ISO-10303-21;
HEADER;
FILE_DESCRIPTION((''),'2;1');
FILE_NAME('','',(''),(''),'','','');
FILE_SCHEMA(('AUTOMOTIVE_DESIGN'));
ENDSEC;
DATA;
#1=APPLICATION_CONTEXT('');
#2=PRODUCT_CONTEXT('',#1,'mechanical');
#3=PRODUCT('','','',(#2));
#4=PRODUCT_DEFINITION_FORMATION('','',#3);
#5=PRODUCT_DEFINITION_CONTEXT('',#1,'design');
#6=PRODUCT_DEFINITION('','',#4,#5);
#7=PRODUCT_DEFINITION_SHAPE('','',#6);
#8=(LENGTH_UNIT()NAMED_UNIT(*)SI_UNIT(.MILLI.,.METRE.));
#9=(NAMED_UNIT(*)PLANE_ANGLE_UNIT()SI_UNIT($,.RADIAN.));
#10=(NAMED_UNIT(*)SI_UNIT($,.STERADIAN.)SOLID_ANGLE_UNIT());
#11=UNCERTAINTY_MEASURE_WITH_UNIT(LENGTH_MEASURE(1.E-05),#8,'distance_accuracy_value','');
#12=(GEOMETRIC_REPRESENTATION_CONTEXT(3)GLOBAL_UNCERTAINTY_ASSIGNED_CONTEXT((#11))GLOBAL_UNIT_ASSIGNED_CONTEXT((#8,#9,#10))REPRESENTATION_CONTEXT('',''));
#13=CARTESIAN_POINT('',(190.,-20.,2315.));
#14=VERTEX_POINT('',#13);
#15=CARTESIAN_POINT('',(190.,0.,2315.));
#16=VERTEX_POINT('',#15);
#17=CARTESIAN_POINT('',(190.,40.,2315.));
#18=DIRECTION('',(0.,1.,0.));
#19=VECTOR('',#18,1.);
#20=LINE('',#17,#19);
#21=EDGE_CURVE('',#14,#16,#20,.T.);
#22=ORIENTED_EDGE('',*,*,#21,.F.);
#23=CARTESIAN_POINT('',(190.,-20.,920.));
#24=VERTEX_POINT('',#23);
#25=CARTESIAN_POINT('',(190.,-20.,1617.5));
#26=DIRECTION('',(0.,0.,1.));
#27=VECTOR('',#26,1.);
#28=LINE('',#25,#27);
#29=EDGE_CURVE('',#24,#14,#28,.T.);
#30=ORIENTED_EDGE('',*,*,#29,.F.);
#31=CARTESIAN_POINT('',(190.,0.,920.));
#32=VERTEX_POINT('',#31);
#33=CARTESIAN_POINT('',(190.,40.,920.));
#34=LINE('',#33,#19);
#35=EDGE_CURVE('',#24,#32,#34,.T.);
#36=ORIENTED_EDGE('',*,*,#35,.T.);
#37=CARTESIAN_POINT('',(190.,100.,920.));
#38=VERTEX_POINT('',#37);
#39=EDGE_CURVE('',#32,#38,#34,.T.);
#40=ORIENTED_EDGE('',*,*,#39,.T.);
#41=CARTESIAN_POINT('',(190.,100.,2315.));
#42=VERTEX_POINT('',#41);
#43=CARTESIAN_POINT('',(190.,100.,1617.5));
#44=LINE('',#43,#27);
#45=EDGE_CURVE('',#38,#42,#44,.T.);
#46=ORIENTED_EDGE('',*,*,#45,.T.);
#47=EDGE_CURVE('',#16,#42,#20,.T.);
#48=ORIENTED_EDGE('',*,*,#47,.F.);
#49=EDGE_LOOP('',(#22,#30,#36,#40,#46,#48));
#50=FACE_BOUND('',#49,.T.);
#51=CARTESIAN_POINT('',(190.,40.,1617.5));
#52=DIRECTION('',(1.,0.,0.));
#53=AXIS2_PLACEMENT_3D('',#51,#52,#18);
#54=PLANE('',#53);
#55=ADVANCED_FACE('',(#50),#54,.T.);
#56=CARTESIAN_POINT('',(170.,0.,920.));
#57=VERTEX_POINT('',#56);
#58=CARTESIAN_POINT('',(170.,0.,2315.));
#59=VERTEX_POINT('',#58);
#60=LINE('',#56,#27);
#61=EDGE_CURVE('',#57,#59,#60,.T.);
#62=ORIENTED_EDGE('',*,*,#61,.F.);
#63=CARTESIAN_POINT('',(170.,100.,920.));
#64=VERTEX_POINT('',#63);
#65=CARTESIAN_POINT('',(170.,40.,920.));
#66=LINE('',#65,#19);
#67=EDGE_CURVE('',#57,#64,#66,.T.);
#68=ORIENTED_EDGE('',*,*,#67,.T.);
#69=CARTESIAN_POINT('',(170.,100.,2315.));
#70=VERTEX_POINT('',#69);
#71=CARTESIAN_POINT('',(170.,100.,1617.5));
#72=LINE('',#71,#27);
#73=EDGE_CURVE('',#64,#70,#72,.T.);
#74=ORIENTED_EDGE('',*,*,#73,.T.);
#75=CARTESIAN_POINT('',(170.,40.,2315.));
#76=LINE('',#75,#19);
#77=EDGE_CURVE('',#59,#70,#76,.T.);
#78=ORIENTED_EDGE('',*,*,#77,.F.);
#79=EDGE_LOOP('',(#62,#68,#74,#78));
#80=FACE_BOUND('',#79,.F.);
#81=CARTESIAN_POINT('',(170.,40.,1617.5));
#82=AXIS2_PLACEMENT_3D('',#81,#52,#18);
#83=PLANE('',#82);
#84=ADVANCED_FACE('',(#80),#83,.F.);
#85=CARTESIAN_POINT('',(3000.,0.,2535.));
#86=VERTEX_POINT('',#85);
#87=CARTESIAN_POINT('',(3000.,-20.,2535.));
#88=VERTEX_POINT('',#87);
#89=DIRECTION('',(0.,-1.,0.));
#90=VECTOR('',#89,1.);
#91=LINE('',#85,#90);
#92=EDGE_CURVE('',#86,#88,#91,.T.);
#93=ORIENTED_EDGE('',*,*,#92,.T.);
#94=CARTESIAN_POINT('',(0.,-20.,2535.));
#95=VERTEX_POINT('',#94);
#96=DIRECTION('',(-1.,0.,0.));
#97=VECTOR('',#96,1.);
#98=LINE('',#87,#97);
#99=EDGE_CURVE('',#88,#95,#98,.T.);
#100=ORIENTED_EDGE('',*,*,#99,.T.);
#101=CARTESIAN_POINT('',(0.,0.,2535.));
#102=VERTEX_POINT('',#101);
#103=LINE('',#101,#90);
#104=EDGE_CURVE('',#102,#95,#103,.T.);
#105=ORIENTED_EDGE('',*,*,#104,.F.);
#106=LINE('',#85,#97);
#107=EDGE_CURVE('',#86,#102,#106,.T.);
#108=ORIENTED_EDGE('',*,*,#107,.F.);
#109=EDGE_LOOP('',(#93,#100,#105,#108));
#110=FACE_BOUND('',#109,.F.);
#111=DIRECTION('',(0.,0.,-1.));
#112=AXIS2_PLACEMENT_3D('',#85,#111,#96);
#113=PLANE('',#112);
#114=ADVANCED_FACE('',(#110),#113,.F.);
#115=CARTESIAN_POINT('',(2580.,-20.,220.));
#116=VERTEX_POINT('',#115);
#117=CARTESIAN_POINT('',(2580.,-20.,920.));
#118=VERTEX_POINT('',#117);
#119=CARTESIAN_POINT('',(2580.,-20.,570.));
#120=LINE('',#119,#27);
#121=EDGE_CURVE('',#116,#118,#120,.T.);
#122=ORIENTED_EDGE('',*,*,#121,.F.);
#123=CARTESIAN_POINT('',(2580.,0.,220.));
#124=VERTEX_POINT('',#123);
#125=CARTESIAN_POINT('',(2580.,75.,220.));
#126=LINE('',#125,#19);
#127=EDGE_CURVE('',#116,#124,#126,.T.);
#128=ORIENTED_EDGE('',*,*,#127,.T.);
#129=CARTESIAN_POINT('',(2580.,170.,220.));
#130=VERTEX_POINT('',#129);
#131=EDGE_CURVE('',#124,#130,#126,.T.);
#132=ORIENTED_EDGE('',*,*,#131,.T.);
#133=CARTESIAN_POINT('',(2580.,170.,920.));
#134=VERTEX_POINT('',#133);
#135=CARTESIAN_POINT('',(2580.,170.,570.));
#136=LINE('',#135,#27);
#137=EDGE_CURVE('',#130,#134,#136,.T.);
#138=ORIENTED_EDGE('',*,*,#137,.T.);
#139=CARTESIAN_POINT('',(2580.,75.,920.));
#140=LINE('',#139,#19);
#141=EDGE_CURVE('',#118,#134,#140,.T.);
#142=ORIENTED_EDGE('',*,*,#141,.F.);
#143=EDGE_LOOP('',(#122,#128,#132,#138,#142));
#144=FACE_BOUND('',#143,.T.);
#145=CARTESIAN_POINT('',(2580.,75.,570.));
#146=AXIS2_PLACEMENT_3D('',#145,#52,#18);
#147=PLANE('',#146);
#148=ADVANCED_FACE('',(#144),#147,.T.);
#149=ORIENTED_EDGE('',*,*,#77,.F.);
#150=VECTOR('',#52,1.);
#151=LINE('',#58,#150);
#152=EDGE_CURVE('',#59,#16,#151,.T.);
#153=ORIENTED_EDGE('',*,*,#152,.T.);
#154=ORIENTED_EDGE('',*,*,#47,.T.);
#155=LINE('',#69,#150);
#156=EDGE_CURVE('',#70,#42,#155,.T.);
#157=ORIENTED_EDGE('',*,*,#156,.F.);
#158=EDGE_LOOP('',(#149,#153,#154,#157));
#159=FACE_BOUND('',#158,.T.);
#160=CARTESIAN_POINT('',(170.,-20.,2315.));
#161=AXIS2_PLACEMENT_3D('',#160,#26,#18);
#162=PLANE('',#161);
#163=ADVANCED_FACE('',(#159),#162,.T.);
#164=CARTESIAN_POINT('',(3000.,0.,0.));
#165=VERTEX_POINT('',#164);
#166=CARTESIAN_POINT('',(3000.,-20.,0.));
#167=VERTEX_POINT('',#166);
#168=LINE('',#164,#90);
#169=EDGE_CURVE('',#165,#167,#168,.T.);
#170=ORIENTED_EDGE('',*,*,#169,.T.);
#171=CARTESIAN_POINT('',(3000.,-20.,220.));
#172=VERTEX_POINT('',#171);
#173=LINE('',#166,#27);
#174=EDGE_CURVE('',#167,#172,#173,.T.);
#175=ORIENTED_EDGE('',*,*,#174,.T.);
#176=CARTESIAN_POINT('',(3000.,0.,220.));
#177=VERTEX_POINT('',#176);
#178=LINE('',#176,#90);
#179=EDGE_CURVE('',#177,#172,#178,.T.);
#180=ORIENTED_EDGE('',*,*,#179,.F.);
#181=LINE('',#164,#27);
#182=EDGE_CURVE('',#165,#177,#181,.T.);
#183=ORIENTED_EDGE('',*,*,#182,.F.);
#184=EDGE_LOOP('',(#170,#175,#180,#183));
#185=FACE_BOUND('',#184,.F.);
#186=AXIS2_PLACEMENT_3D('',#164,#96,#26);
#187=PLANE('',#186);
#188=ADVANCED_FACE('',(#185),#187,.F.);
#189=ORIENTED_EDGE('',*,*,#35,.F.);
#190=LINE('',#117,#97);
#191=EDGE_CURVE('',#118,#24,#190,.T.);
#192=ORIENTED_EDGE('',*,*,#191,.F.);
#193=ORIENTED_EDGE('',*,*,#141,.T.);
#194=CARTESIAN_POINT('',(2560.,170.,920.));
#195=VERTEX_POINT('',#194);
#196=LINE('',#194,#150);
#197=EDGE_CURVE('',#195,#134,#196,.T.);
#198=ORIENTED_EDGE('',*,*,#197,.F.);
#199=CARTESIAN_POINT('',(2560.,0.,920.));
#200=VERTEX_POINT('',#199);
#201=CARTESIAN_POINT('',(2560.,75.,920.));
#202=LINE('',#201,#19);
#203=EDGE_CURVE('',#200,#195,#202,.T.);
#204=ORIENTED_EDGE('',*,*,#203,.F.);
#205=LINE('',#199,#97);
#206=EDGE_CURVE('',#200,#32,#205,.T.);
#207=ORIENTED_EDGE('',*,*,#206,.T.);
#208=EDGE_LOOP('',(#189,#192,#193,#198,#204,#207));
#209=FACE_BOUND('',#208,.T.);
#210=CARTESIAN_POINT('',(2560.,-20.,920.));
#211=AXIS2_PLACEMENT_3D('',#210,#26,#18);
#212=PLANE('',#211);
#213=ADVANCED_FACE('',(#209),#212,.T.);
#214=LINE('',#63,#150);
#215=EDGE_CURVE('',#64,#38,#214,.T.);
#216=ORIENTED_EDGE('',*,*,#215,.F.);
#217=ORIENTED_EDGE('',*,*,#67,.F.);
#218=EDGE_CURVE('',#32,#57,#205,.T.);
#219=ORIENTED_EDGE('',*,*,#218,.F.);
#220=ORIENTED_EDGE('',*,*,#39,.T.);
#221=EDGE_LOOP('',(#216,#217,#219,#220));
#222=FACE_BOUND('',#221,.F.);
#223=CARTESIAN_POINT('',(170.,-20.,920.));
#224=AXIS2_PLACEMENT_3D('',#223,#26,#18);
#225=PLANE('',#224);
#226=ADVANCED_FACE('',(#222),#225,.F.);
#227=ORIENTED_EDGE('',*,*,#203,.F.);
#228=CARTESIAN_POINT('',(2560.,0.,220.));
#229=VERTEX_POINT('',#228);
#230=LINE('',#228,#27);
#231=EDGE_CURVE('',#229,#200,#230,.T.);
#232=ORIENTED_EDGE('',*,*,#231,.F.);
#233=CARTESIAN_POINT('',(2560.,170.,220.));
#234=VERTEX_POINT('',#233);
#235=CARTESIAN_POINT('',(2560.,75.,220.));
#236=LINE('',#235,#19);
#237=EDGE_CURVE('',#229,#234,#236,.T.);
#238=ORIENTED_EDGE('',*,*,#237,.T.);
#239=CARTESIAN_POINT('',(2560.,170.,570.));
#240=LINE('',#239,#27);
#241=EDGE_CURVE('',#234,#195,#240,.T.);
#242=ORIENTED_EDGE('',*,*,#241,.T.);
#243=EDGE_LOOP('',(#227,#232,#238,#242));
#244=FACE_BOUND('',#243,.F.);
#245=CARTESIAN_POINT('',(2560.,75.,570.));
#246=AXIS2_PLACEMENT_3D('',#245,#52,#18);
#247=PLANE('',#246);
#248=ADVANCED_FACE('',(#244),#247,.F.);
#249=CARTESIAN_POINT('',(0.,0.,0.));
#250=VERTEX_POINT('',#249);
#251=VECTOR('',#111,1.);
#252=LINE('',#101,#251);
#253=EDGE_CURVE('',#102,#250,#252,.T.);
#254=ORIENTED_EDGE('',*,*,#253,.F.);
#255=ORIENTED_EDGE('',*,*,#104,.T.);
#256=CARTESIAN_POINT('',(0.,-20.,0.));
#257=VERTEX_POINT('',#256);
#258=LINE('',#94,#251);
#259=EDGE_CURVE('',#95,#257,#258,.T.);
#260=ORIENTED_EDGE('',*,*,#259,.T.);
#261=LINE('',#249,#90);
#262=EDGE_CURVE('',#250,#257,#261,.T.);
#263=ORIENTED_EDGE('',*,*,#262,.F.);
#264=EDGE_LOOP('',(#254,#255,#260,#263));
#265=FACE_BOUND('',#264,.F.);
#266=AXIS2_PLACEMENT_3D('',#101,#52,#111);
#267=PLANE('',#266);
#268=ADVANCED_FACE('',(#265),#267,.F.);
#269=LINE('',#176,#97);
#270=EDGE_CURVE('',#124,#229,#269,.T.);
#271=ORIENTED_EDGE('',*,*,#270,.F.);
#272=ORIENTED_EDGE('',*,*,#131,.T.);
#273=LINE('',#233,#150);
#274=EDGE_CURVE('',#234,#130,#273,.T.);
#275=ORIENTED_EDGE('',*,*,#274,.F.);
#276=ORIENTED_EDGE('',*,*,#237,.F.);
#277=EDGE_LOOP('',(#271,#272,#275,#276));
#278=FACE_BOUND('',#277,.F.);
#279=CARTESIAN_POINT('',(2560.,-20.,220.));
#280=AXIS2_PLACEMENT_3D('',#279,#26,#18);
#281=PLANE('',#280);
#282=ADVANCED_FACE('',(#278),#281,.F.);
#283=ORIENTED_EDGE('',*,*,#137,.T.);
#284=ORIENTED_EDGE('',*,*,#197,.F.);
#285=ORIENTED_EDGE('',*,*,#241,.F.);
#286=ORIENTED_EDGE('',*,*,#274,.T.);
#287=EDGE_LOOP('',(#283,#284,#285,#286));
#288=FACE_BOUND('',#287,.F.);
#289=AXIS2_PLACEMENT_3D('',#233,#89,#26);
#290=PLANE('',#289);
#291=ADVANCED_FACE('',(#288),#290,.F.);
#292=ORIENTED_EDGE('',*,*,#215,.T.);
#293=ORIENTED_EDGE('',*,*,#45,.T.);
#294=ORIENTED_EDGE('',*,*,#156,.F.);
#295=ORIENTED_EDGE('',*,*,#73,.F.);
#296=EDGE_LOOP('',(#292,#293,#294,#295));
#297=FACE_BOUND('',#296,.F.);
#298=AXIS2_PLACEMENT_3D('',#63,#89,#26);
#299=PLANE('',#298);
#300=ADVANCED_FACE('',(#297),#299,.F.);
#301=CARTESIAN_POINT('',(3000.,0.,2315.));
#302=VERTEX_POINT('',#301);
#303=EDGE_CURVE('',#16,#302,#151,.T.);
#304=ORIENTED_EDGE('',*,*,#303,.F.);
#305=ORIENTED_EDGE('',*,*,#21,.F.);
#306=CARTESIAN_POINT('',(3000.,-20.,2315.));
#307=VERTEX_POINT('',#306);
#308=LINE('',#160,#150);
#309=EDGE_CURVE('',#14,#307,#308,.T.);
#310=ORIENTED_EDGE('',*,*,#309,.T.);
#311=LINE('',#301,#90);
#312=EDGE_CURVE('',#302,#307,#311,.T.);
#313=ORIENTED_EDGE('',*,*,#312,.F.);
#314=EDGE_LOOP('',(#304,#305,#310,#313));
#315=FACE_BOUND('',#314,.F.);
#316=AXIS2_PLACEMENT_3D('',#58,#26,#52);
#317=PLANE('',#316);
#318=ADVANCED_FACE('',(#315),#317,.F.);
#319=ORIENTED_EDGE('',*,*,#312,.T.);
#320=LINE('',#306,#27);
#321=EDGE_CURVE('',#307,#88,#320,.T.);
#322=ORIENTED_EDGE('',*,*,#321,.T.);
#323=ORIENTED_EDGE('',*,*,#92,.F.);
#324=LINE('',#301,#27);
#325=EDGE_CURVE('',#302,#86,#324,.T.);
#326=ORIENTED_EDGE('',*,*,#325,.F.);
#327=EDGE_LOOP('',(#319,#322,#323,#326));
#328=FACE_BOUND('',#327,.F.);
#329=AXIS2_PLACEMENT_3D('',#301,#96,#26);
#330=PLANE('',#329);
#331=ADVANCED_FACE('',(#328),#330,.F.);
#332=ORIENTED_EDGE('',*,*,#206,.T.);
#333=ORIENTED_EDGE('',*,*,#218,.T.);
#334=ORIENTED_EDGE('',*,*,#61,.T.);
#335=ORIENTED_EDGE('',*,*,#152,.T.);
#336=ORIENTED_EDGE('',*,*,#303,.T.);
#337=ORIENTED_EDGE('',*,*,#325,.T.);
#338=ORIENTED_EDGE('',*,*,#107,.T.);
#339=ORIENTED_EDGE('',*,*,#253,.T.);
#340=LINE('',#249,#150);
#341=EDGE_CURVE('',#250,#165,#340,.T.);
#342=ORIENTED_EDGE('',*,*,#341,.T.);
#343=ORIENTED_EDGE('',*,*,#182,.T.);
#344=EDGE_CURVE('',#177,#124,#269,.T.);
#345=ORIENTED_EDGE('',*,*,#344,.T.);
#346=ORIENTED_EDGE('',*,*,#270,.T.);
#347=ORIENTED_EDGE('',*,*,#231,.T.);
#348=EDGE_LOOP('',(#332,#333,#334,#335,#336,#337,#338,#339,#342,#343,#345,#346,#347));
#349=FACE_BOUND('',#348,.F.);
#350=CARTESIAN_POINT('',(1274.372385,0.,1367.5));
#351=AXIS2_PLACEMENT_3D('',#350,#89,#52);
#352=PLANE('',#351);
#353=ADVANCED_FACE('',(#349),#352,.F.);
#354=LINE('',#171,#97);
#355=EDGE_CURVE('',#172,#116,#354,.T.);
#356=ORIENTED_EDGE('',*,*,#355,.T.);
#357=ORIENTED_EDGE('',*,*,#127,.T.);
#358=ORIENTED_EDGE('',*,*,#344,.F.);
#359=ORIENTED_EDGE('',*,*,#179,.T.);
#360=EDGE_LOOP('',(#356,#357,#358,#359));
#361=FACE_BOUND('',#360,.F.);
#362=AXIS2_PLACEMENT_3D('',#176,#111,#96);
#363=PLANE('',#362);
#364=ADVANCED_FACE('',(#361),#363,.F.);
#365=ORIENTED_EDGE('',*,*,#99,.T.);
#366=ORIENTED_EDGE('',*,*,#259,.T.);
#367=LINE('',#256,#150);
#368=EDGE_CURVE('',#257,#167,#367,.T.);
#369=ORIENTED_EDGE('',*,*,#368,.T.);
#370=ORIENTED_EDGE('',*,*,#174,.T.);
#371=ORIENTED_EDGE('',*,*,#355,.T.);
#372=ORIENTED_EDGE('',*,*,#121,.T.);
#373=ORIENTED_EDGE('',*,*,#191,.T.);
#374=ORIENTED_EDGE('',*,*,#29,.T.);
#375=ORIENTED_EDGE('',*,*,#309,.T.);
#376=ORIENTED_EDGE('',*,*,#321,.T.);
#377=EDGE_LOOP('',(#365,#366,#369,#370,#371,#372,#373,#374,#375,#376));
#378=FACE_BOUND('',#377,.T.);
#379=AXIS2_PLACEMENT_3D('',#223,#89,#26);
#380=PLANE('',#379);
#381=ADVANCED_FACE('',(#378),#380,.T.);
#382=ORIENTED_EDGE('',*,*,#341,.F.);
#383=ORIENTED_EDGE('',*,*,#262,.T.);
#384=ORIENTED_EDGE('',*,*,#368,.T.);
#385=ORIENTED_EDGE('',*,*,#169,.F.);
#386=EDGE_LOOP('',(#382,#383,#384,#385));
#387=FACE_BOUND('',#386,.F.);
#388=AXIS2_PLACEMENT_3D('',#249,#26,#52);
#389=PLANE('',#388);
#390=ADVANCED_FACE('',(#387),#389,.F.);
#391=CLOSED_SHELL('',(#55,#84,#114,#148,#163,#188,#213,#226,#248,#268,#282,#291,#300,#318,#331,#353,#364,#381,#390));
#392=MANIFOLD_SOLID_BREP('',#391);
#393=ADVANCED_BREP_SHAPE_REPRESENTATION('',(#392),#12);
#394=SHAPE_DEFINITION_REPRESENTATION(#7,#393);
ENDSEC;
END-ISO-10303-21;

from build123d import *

# Parameters (mm, degrees)
F1_DEPTH = 20
F2_W     = 190
F2_H     = 700
F3_DEPTH = 20
F4_W     = 120
F4_H     = 1395
F5_DEPTH = 20


with BuildPart() as f1:
    # F0 (on Front) → F1 (new body)
    with BuildSketch(Plane.XZ):
        Polygon((0, 920), (0, 0), (2560, 0), (3000, 0), (3000, 220), (2560, 220), (2560, 920), (170, 920), (170, 2315), (3000, 2315), (3000, 2535), (0, 2535), (0, 2320), align=None)
    extrude(amount=F1_DEPTH)

    # F2 (on face) → F3 (join)
    with BuildSketch(Plane.YZ.offset(2560)):
        with Locations((75, 570)):
            Rectangle(F2_W, F2_H)
    extrude(amount=F3_DEPTH)

    # F4 (on face) → F5 (join)
    with BuildSketch(Plane.YZ.offset(170)):
        with Locations((40, 1617.5)):
            Rectangle(F4_W, F4_H)
    extrude(amount=F5_DEPTH)


solid = f1.part
